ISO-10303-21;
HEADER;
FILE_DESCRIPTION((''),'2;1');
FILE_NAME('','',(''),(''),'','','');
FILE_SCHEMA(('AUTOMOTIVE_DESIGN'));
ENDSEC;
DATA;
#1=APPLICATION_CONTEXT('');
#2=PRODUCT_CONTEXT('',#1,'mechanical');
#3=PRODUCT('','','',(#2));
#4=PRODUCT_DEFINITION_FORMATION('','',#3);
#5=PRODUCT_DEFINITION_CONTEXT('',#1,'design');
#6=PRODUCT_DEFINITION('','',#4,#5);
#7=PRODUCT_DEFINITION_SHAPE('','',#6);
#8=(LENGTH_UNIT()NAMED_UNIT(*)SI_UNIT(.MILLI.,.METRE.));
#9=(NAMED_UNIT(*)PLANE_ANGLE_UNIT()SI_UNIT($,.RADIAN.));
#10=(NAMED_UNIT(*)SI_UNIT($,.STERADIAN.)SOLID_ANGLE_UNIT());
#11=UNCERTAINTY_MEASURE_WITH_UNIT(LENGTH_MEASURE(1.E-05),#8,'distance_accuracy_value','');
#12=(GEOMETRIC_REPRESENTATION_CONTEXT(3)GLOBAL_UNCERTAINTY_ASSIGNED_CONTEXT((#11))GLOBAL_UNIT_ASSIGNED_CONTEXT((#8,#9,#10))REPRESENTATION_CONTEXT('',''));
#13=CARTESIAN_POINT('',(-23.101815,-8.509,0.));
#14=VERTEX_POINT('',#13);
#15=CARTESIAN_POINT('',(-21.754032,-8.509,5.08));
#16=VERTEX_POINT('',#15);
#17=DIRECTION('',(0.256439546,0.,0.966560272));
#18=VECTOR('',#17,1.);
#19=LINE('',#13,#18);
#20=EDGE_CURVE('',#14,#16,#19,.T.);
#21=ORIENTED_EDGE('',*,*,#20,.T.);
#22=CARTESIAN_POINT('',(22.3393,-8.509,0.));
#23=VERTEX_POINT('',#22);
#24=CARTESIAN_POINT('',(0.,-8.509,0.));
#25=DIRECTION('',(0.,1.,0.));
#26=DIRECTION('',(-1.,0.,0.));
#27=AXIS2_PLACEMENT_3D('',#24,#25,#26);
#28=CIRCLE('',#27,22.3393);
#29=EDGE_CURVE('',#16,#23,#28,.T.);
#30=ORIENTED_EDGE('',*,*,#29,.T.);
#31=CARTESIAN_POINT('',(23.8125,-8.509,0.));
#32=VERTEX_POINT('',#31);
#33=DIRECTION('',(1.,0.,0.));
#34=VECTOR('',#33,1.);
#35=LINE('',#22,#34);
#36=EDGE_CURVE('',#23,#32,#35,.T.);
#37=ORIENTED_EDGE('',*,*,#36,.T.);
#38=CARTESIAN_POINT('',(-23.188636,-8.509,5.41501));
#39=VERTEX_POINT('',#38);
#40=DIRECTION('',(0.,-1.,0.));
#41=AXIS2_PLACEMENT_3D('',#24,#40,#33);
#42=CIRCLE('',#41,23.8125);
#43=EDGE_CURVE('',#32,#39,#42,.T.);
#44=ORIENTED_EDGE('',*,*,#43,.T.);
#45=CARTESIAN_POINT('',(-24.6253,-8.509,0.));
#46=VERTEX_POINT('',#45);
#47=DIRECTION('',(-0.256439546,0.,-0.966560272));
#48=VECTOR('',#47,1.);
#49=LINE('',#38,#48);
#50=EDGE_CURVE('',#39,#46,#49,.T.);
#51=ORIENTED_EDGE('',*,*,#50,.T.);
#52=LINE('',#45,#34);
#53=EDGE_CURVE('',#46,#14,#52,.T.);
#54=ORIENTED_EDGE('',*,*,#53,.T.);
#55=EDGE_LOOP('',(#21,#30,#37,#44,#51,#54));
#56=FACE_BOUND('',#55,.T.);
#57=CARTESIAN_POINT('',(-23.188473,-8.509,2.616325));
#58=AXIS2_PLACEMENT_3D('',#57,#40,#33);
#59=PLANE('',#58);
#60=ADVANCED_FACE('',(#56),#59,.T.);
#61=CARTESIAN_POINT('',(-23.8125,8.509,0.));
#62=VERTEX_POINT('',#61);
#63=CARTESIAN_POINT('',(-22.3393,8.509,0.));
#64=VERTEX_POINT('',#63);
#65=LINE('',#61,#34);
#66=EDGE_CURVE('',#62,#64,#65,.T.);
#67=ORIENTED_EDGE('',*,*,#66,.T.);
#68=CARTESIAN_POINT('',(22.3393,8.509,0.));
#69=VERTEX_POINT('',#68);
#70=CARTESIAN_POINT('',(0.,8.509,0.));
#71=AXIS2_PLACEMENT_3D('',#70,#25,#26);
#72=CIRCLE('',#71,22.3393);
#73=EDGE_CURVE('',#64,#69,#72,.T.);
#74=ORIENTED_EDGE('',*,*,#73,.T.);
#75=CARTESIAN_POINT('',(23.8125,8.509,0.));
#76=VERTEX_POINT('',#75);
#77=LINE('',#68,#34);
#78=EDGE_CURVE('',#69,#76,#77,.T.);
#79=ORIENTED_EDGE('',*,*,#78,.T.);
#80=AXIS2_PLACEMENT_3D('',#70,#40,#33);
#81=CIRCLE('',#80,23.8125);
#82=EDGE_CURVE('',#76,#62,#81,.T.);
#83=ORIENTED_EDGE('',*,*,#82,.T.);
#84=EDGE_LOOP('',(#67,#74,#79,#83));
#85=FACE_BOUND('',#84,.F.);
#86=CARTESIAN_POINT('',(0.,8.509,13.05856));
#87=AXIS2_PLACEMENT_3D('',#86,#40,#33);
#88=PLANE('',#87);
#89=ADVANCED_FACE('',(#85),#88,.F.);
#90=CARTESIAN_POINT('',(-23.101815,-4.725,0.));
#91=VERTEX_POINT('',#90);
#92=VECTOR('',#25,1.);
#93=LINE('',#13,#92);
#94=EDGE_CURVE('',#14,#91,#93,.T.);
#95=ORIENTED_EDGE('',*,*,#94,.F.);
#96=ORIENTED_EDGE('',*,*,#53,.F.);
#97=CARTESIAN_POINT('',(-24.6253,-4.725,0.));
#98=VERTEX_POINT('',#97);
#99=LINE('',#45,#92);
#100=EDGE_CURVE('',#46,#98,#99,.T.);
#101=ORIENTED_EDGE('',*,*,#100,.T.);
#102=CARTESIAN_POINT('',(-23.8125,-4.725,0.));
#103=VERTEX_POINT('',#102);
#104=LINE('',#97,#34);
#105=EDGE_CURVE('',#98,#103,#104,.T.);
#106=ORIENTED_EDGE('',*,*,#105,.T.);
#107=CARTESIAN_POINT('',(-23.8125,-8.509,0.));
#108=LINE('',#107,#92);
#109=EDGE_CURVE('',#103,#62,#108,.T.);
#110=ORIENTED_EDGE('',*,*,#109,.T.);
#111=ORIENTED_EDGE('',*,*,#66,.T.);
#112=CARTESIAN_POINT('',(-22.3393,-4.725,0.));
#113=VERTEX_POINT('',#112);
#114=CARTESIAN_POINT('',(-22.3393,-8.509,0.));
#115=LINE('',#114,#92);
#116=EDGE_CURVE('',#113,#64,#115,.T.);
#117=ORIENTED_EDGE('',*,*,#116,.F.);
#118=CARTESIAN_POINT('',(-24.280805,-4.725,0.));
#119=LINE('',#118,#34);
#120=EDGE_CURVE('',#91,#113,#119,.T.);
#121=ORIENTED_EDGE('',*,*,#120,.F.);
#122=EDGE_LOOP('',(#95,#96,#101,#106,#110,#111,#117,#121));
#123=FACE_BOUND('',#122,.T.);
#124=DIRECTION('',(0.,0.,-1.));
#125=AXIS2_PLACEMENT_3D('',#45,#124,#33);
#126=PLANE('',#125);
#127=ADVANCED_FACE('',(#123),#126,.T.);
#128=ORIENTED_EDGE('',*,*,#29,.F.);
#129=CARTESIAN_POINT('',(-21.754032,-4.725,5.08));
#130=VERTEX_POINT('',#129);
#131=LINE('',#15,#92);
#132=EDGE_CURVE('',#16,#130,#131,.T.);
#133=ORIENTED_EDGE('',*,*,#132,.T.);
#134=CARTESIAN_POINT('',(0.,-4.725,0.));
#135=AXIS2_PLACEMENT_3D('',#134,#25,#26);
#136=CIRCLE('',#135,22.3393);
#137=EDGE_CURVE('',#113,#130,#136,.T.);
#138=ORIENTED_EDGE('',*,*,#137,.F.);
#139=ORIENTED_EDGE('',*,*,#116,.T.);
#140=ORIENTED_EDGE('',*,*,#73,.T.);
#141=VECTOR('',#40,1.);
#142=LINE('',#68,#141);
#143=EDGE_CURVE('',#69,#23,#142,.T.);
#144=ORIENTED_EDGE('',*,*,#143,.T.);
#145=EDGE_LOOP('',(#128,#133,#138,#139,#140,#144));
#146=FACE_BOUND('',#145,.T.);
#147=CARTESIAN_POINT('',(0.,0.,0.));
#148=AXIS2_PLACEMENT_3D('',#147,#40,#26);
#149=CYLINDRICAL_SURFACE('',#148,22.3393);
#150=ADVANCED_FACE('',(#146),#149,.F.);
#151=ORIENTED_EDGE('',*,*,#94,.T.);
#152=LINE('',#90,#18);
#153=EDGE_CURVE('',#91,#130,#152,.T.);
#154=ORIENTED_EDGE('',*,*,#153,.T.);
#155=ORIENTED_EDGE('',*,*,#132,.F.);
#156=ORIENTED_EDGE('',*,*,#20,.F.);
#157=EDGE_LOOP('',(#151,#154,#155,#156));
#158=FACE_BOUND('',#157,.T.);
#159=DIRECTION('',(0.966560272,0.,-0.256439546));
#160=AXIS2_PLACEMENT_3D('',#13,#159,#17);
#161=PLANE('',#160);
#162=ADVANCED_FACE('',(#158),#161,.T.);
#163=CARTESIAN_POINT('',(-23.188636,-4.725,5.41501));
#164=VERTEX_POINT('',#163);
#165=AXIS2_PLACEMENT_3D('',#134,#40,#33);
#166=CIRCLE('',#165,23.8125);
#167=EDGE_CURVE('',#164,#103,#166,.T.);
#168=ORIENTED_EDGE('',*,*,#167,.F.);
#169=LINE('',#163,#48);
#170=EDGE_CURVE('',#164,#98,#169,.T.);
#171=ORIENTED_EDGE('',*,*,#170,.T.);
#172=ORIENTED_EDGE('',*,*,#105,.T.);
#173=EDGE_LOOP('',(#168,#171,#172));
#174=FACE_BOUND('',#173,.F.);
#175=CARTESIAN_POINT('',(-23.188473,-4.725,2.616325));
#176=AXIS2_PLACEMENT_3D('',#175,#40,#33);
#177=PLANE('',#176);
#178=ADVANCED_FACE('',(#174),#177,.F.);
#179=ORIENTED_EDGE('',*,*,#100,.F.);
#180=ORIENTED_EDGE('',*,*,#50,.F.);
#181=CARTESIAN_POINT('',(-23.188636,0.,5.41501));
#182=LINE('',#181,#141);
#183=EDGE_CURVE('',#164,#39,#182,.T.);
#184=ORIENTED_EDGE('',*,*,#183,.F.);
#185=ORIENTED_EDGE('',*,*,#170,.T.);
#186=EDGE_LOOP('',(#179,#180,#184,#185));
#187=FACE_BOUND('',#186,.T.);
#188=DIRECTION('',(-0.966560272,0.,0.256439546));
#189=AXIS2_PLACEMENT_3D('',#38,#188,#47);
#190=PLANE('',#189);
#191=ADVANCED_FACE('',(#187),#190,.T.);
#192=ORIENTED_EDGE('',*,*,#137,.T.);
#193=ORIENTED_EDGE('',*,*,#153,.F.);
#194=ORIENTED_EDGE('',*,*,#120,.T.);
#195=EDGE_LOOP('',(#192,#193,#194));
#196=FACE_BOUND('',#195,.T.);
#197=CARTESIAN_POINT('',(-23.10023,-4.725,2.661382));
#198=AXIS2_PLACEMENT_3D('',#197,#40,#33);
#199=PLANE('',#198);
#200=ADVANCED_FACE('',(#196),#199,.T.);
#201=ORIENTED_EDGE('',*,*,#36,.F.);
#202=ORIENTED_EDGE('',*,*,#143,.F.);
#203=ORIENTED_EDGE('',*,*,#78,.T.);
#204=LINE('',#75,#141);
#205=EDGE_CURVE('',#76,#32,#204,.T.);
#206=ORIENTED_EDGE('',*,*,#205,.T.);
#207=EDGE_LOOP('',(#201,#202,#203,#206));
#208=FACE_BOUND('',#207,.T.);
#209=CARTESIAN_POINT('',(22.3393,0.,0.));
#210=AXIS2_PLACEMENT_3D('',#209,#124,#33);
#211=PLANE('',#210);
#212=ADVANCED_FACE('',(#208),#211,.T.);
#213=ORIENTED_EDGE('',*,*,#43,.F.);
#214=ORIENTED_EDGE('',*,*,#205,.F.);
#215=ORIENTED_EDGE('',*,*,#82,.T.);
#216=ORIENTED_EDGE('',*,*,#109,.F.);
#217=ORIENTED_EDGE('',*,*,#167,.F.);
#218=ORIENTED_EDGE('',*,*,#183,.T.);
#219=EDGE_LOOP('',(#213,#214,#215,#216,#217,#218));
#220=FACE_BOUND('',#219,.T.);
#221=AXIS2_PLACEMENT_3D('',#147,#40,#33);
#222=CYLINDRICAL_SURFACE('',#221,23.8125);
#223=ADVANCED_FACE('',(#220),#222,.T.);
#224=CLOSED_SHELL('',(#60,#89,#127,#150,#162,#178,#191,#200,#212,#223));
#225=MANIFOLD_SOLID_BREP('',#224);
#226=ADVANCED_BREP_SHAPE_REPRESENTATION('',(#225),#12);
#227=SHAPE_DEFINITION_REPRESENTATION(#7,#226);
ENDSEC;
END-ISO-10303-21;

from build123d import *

# Parameters (mm, degrees)
F1_DEPTH = 8.509
F3_DEPTH = 3.784
F5_DEPTH = 3.784


with BuildPart() as f1:
    # F0 (on Front) → F1 (new body, symmetric)
    with BuildSketch(Plane.XZ):
        with BuildLine():
            ThreePointArc((-22.3393, 0), (0, 22.3393), (22.3393, 0))
            Line((22.3393, 0), (23.8125, 0))
            ThreePointArc((23.8125, 0), (0, 23.8125), (-23.8125, 0))
            Line((-23.8125, 0), (-22.3393, 0))
        make_face()
    extrude(amount=F1_DEPTH, both=True)

    # F2 (on face) → F3 (cut)
    with BuildSketch(Plane.XZ.offset(8.509)):
        with BuildLine():
            Line((-24.2808054107, 0), (-22.3393, 0))
            ThreePointArc((-22.3393, 0), (-22.1925007591, 2.5568016248), (-21.7540323731, 5.08))
            Line((-21.7540323731, 5.08), (-23.6446719547, 5.5215033775))
            ThreePointArc((-23.6446719547, 5.5215033775), (-24.1212477924, 2.7790135535), (-24.2808054107, 0))
        make_face()
    extrude(amount=-F3_DEPTH, mode=Mode.SUBTRACT)

    # F4 (on face) → F5 (join, through all)
    with BuildSketch(Plane.XZ.offset(8.509)):
        Polygon((-21.7540323731, 5.08), (-23.1886357568, 5.4150095097), (-24.6253, 0), (-23.101814744, 0), align=None)
    extrude(amount=-F5_DEPTH)


solid = f1.part
